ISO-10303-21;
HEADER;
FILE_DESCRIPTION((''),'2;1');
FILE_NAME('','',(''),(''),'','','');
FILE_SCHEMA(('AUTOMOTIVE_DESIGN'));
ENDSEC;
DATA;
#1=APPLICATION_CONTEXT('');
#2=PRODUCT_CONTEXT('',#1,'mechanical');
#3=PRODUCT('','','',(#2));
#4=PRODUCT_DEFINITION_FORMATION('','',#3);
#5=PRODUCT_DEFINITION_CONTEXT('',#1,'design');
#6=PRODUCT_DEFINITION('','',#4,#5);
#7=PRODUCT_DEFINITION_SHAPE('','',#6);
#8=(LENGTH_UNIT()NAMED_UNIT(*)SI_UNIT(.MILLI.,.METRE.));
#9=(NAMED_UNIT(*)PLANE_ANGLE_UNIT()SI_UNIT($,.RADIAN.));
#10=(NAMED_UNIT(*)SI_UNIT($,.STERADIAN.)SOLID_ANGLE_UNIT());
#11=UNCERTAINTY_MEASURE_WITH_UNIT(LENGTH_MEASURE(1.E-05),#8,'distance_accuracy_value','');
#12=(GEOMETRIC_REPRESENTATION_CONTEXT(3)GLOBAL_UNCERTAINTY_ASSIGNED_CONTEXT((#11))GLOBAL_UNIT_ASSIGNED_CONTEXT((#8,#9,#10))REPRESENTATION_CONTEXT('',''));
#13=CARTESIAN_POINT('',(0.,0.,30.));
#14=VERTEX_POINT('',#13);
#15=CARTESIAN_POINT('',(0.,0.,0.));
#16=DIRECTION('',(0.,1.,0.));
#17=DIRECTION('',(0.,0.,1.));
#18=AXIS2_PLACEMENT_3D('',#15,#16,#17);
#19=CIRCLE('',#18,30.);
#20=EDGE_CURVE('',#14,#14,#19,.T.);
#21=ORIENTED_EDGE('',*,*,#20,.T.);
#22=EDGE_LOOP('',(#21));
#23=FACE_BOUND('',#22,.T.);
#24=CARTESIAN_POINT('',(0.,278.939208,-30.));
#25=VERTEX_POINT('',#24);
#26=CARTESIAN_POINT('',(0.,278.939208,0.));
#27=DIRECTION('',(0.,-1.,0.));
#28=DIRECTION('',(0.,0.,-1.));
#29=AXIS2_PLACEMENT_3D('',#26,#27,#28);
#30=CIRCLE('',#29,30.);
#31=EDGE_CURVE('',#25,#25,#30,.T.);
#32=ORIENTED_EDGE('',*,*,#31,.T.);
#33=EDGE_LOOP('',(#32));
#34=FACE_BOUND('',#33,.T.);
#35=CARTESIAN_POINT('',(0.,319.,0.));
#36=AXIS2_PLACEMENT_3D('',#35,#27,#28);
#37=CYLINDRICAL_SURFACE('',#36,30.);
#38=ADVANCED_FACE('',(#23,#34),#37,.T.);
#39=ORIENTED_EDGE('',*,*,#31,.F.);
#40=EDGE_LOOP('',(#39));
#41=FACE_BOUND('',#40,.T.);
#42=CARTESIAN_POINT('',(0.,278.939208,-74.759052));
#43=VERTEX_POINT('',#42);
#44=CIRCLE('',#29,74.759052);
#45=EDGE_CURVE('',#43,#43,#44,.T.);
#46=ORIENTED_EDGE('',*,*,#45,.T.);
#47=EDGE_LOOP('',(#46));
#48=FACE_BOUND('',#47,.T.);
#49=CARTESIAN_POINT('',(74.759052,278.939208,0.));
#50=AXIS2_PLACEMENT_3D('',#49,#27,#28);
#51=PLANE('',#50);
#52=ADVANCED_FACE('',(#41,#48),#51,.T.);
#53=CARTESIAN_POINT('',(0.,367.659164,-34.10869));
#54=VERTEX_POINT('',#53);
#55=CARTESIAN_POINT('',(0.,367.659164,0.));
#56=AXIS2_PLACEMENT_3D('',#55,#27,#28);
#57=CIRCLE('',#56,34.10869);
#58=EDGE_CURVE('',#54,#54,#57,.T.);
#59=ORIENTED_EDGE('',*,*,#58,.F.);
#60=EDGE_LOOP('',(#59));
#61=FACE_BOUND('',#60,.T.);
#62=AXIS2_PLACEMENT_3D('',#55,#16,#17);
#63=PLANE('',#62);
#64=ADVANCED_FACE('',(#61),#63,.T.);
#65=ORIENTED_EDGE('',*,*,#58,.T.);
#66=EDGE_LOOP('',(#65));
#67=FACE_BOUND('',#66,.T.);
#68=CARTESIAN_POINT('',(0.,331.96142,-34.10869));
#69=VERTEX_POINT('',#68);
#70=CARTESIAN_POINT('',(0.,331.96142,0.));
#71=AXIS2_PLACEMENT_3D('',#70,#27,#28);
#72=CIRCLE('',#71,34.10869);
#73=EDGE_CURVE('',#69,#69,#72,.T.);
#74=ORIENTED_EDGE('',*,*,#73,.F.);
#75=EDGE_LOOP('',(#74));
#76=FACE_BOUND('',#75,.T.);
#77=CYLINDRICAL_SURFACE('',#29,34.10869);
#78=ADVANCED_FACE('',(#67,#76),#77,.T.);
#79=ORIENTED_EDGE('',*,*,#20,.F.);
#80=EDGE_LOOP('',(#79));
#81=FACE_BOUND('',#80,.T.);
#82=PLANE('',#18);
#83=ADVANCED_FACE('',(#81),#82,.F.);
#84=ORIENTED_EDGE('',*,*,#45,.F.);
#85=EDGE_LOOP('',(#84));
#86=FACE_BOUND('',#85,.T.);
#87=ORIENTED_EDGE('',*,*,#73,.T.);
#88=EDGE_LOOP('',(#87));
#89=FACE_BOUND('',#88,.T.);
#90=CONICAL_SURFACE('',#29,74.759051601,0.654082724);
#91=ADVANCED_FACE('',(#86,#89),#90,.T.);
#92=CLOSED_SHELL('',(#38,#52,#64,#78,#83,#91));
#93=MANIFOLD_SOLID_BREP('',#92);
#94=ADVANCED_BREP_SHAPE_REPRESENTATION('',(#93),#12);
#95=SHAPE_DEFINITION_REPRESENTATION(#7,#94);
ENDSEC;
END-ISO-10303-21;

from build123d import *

# Parameters (mm, degrees)
SCHIZZO2_R                   = 30
ESTRUSIONE_ESTRUSIONE1_DEPTH = 319


with BuildPart() as part:
    # Schizzo2 → Estrusione-Estrusione1 (new body)
    with BuildSketch(Plane(origin=(0, 0, 0), x_dir=(1, 0, 0), z_dir=(0, 1, 0))):
        with Locations(Location((0, 0, 0), (0, 0, 270))):
            Circle(SCHIZZO2_R)
    extrude(amount=ESTRUSIONE_ESTRUSIONE1_DEPTH)

    # Schizzo4 → Rivoluzione1 (revolve)
    with BuildSketch(Plane.XY, mode=Mode.PRIVATE) as rivoluzione1_sk:
        Polygon((0, 367.659164194), (34.108689773, 367.659164194), (34.108689773, 331.961419561), (74.759051601, 278.939208481), (0, 278.939208481), align=None)
    revolve(rivoluzione1_sk.sketch.rotate(Axis((0, 278.939208481, 0), (0, 1, 0)), 90), axis=Axis((0, 278.939208481, 0), (0, 1, 0)))


solid = part.part
